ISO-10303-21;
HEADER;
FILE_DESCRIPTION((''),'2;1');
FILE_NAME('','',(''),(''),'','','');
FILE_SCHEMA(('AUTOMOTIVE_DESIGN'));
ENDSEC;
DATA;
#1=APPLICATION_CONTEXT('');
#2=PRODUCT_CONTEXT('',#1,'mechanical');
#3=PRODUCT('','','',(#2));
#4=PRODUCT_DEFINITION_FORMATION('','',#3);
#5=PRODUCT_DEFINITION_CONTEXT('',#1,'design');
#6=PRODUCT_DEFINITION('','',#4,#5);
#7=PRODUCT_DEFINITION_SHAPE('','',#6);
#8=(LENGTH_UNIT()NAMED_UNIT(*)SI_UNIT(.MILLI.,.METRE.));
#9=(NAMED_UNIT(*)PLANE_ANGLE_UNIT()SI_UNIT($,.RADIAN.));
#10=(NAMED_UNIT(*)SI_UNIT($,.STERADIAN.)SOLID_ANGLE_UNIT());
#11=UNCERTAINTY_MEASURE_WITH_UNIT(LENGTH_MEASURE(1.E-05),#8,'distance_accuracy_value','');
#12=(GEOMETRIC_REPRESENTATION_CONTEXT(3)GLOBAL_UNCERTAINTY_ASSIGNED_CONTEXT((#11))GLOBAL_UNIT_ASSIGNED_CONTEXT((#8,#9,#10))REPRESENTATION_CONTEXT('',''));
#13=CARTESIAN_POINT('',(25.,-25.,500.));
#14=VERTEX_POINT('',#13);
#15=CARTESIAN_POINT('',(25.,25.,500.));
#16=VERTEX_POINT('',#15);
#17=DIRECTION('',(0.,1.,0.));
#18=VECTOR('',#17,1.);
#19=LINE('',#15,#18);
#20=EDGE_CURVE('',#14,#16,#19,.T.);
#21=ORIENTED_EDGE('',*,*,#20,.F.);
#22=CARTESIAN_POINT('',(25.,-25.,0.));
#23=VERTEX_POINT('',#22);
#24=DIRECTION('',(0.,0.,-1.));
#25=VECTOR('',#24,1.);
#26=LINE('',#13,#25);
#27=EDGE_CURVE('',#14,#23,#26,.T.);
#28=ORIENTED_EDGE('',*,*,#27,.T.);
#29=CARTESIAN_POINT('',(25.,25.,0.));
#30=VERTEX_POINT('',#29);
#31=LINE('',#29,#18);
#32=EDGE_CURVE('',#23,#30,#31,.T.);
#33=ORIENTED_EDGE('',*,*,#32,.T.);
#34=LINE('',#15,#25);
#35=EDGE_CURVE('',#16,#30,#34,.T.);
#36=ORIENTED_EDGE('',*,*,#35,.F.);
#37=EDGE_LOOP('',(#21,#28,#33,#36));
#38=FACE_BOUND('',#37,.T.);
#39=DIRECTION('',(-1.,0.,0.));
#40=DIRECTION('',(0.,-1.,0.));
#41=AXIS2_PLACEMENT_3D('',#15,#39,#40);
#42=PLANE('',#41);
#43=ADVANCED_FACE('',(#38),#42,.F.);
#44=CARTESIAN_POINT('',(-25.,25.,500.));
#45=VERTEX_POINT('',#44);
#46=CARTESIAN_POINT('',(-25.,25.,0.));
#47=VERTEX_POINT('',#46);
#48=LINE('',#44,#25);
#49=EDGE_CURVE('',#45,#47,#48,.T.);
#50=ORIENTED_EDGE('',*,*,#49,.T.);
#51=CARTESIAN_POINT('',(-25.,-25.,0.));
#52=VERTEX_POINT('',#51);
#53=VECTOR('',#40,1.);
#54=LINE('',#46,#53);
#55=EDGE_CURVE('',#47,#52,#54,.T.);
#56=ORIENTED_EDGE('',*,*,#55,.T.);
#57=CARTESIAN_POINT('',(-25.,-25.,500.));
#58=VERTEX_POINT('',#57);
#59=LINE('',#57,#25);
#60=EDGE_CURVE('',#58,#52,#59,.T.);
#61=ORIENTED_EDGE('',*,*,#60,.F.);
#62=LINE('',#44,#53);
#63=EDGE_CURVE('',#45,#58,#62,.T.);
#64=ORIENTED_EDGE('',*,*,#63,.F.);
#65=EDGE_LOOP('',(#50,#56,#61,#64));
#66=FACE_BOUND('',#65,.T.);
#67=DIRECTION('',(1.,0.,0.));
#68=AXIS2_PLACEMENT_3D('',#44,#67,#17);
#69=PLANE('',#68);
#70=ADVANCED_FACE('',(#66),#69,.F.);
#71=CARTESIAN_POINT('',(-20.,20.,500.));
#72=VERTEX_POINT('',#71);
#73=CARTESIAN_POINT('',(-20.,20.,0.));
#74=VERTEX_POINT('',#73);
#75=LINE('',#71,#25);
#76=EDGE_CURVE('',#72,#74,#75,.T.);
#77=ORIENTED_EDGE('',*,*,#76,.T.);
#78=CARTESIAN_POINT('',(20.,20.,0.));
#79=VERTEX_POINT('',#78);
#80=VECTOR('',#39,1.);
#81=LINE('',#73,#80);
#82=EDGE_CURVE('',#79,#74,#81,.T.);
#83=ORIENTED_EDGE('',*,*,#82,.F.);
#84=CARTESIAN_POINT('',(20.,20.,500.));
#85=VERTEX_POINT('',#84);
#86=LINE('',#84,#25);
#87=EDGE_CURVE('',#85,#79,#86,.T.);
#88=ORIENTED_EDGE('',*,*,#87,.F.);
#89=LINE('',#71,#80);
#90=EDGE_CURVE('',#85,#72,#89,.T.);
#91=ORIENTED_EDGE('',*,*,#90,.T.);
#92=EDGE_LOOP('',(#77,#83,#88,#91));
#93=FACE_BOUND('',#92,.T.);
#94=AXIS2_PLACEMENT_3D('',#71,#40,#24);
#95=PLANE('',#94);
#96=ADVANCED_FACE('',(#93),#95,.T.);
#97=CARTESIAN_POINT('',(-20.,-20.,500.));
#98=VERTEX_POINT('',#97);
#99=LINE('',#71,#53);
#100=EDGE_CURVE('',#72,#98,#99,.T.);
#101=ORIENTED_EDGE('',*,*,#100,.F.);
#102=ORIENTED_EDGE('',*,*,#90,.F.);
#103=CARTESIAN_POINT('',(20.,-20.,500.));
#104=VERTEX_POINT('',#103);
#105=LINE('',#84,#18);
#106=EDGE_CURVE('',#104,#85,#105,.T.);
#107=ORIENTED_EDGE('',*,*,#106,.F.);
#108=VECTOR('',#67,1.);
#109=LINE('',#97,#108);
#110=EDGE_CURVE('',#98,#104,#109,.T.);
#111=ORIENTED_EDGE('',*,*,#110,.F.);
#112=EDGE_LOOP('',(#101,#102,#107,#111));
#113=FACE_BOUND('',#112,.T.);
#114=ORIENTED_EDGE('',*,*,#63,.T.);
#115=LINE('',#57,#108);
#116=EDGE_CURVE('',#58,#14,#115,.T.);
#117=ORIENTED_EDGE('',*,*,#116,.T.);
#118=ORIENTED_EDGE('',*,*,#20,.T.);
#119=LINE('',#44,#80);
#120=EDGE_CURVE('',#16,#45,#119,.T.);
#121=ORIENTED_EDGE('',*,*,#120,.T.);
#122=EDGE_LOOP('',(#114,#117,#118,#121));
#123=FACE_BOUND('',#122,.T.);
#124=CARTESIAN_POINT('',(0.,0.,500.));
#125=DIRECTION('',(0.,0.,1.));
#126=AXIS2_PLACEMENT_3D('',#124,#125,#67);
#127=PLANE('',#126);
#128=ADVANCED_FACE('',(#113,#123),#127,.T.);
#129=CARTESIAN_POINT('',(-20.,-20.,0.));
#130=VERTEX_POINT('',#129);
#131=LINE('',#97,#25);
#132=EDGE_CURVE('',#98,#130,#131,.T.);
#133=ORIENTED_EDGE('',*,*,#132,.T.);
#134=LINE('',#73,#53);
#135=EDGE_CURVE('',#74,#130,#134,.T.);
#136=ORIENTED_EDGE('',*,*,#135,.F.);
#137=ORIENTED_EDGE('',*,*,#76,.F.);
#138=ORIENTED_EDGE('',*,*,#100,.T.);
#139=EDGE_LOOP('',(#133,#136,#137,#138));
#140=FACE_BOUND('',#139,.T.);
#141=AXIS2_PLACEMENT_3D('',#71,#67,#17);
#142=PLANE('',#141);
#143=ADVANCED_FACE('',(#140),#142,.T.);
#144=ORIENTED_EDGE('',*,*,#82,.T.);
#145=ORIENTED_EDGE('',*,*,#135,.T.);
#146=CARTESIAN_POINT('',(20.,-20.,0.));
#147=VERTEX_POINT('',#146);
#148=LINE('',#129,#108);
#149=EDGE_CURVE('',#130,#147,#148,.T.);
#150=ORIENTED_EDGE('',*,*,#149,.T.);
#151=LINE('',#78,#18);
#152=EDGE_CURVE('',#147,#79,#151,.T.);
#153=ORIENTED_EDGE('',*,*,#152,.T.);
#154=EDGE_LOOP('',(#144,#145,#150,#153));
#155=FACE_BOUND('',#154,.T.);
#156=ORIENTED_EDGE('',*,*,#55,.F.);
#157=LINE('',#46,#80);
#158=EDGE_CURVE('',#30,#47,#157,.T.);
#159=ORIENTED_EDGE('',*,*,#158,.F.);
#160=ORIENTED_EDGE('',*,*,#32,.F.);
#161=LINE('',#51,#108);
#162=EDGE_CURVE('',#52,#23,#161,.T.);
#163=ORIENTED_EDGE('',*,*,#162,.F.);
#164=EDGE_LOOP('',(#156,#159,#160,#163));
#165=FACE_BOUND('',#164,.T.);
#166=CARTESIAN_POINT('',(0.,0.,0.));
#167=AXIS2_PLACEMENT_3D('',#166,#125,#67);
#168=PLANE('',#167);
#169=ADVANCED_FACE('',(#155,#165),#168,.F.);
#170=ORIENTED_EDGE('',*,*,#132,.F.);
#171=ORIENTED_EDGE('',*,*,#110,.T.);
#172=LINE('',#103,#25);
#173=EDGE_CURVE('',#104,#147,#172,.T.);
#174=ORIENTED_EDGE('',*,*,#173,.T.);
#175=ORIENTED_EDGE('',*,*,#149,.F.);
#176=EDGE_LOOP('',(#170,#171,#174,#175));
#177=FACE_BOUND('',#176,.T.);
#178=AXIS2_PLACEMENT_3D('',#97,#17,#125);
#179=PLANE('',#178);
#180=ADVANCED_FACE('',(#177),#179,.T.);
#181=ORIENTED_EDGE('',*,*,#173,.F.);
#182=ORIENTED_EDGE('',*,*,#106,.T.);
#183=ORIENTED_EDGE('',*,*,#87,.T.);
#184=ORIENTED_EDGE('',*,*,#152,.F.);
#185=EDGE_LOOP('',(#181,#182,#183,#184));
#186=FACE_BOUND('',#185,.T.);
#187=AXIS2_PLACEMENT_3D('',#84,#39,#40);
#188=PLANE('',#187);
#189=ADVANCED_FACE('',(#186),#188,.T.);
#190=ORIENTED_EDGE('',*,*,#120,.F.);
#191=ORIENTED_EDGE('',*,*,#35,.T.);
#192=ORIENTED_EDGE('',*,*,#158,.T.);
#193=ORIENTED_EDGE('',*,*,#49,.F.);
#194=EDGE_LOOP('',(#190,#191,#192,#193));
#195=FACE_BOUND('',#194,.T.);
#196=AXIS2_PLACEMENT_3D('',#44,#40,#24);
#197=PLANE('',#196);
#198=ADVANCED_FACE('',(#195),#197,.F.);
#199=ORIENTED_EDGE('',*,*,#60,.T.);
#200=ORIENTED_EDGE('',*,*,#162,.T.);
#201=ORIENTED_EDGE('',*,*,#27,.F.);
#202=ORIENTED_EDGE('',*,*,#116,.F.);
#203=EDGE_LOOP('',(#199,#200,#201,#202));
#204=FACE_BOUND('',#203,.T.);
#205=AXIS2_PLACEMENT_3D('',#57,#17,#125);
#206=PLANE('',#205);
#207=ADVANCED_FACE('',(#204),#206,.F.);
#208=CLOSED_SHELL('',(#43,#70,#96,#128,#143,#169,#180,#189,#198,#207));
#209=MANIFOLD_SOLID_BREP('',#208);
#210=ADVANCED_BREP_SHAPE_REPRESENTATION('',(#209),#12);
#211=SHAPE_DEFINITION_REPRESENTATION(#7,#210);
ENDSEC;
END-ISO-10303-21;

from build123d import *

# Parameters (mm, degrees)
SKETCH1_W           = 50
SKETCH1_H           = 50
SKETCH1_W_2         = 40
SKETCH1_H_2         = 40
BOSS_EXTRUDE1_DEPTH = 500


with BuildPart() as part:
    # Sketch1 → Boss-Extrude1 (new body)
    with BuildSketch(Plane.XY):
        Rectangle(SKETCH1_W, SKETCH1_H)
        Rectangle(SKETCH1_W_2, SKETCH1_H_2, mode=Mode.SUBTRACT)
    extrude(amount=BOSS_EXTRUDE1_DEPTH)


solid = part.part
